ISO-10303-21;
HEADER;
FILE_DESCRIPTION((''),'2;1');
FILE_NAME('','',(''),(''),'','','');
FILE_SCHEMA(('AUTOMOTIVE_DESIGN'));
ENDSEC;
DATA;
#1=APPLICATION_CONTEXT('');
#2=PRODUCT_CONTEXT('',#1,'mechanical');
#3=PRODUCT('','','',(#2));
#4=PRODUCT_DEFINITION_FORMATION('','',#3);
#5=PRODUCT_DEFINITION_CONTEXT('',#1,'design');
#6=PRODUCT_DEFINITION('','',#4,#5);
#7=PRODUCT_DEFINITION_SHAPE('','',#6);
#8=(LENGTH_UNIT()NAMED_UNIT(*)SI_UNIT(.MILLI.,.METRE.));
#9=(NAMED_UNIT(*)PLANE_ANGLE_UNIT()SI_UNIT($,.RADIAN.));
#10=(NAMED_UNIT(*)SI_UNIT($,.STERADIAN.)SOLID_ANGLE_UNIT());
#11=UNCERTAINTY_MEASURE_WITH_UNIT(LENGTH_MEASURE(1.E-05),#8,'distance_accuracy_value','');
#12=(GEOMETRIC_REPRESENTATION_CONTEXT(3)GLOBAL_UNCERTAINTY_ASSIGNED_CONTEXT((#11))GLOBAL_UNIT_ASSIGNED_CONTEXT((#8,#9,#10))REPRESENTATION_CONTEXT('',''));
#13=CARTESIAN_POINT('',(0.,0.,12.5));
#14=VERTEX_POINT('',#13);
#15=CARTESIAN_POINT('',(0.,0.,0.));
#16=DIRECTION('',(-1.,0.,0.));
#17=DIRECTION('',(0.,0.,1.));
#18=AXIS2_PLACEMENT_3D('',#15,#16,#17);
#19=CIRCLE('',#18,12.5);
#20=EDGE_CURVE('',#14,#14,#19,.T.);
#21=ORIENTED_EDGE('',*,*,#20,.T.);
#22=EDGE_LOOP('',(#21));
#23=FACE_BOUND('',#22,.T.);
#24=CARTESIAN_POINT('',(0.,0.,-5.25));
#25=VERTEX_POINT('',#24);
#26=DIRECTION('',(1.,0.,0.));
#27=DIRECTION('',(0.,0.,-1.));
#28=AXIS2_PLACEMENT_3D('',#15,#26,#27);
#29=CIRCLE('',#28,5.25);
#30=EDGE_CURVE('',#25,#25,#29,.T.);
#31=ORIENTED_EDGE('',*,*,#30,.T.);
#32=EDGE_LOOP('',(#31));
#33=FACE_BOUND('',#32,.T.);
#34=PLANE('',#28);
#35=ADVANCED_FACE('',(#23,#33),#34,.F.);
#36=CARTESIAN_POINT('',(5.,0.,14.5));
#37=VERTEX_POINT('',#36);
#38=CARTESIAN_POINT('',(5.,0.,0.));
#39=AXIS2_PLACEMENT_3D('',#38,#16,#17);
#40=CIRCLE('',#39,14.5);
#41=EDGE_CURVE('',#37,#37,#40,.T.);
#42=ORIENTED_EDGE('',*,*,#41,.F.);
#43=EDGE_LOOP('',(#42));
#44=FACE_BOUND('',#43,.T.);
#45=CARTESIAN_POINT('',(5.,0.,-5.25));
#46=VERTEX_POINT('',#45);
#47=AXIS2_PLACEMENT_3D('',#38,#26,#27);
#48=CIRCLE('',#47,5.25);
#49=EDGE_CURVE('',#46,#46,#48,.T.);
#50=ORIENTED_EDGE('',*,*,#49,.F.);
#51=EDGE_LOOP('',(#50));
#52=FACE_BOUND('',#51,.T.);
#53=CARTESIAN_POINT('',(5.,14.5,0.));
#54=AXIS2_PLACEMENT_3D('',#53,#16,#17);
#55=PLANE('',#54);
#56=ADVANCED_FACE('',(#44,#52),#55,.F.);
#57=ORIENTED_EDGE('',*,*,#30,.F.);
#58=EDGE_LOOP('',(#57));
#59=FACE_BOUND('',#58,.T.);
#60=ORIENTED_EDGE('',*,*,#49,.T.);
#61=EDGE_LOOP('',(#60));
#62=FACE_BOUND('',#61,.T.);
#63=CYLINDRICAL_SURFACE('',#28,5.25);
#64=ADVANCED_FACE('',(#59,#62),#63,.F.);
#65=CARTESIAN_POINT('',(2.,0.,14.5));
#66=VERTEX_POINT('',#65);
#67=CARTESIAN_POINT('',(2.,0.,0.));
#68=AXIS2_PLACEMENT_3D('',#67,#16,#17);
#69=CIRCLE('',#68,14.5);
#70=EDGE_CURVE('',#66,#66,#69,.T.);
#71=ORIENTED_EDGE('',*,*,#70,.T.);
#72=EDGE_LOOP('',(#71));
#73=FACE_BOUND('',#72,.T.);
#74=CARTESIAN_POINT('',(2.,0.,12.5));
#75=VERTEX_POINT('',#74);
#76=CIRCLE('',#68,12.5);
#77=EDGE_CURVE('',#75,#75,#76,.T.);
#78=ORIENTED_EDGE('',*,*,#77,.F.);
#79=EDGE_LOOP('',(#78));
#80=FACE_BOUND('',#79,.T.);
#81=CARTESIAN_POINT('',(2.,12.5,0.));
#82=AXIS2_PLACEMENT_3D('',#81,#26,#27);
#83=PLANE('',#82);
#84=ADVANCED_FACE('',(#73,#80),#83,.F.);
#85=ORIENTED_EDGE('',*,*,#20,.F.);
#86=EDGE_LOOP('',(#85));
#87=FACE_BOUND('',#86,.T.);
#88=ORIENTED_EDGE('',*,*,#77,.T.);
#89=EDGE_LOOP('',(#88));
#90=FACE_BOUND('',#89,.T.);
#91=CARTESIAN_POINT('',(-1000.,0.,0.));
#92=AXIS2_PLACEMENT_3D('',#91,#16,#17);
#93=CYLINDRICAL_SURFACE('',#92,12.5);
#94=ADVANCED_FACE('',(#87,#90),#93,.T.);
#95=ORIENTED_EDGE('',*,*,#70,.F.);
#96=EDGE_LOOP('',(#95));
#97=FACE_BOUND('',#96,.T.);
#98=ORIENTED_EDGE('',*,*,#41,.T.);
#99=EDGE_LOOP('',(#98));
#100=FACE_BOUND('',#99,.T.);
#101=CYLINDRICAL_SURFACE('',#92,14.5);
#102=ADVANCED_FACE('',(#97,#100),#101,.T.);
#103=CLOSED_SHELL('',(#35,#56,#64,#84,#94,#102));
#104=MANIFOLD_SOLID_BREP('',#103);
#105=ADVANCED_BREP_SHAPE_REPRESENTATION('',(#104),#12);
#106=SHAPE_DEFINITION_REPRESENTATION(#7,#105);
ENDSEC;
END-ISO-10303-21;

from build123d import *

# Parameters (mm, degrees)
SKETCH_2_R          = 5.25
CUT_EXTRUDE_1_DEPTH = 6


with BuildPart() as part:
    # Эскиз1 → Повернуть1 (revolve)
    with BuildSketch(Plane.XY):
        Polygon((0, 0), (0, 12.5), (2, 12.5), (2, 14.5), (5, 14.5), (5, 0), align=None)
    revolve(axis=Axis((-1000, 0, 0), (1, 0, 0)))

    # Эскиз2 → Вырез-Вытянуть1 (cut, through all)
    with BuildSketch(Plane(origin=(5, 0, 0), x_dir=(0, 0, -1), z_dir=(1, 0, 0))):
        Circle(SKETCH_2_R)
    extrude(amount=-CUT_EXTRUDE_1_DEPTH, mode=Mode.SUBTRACT)


solid = part.part
